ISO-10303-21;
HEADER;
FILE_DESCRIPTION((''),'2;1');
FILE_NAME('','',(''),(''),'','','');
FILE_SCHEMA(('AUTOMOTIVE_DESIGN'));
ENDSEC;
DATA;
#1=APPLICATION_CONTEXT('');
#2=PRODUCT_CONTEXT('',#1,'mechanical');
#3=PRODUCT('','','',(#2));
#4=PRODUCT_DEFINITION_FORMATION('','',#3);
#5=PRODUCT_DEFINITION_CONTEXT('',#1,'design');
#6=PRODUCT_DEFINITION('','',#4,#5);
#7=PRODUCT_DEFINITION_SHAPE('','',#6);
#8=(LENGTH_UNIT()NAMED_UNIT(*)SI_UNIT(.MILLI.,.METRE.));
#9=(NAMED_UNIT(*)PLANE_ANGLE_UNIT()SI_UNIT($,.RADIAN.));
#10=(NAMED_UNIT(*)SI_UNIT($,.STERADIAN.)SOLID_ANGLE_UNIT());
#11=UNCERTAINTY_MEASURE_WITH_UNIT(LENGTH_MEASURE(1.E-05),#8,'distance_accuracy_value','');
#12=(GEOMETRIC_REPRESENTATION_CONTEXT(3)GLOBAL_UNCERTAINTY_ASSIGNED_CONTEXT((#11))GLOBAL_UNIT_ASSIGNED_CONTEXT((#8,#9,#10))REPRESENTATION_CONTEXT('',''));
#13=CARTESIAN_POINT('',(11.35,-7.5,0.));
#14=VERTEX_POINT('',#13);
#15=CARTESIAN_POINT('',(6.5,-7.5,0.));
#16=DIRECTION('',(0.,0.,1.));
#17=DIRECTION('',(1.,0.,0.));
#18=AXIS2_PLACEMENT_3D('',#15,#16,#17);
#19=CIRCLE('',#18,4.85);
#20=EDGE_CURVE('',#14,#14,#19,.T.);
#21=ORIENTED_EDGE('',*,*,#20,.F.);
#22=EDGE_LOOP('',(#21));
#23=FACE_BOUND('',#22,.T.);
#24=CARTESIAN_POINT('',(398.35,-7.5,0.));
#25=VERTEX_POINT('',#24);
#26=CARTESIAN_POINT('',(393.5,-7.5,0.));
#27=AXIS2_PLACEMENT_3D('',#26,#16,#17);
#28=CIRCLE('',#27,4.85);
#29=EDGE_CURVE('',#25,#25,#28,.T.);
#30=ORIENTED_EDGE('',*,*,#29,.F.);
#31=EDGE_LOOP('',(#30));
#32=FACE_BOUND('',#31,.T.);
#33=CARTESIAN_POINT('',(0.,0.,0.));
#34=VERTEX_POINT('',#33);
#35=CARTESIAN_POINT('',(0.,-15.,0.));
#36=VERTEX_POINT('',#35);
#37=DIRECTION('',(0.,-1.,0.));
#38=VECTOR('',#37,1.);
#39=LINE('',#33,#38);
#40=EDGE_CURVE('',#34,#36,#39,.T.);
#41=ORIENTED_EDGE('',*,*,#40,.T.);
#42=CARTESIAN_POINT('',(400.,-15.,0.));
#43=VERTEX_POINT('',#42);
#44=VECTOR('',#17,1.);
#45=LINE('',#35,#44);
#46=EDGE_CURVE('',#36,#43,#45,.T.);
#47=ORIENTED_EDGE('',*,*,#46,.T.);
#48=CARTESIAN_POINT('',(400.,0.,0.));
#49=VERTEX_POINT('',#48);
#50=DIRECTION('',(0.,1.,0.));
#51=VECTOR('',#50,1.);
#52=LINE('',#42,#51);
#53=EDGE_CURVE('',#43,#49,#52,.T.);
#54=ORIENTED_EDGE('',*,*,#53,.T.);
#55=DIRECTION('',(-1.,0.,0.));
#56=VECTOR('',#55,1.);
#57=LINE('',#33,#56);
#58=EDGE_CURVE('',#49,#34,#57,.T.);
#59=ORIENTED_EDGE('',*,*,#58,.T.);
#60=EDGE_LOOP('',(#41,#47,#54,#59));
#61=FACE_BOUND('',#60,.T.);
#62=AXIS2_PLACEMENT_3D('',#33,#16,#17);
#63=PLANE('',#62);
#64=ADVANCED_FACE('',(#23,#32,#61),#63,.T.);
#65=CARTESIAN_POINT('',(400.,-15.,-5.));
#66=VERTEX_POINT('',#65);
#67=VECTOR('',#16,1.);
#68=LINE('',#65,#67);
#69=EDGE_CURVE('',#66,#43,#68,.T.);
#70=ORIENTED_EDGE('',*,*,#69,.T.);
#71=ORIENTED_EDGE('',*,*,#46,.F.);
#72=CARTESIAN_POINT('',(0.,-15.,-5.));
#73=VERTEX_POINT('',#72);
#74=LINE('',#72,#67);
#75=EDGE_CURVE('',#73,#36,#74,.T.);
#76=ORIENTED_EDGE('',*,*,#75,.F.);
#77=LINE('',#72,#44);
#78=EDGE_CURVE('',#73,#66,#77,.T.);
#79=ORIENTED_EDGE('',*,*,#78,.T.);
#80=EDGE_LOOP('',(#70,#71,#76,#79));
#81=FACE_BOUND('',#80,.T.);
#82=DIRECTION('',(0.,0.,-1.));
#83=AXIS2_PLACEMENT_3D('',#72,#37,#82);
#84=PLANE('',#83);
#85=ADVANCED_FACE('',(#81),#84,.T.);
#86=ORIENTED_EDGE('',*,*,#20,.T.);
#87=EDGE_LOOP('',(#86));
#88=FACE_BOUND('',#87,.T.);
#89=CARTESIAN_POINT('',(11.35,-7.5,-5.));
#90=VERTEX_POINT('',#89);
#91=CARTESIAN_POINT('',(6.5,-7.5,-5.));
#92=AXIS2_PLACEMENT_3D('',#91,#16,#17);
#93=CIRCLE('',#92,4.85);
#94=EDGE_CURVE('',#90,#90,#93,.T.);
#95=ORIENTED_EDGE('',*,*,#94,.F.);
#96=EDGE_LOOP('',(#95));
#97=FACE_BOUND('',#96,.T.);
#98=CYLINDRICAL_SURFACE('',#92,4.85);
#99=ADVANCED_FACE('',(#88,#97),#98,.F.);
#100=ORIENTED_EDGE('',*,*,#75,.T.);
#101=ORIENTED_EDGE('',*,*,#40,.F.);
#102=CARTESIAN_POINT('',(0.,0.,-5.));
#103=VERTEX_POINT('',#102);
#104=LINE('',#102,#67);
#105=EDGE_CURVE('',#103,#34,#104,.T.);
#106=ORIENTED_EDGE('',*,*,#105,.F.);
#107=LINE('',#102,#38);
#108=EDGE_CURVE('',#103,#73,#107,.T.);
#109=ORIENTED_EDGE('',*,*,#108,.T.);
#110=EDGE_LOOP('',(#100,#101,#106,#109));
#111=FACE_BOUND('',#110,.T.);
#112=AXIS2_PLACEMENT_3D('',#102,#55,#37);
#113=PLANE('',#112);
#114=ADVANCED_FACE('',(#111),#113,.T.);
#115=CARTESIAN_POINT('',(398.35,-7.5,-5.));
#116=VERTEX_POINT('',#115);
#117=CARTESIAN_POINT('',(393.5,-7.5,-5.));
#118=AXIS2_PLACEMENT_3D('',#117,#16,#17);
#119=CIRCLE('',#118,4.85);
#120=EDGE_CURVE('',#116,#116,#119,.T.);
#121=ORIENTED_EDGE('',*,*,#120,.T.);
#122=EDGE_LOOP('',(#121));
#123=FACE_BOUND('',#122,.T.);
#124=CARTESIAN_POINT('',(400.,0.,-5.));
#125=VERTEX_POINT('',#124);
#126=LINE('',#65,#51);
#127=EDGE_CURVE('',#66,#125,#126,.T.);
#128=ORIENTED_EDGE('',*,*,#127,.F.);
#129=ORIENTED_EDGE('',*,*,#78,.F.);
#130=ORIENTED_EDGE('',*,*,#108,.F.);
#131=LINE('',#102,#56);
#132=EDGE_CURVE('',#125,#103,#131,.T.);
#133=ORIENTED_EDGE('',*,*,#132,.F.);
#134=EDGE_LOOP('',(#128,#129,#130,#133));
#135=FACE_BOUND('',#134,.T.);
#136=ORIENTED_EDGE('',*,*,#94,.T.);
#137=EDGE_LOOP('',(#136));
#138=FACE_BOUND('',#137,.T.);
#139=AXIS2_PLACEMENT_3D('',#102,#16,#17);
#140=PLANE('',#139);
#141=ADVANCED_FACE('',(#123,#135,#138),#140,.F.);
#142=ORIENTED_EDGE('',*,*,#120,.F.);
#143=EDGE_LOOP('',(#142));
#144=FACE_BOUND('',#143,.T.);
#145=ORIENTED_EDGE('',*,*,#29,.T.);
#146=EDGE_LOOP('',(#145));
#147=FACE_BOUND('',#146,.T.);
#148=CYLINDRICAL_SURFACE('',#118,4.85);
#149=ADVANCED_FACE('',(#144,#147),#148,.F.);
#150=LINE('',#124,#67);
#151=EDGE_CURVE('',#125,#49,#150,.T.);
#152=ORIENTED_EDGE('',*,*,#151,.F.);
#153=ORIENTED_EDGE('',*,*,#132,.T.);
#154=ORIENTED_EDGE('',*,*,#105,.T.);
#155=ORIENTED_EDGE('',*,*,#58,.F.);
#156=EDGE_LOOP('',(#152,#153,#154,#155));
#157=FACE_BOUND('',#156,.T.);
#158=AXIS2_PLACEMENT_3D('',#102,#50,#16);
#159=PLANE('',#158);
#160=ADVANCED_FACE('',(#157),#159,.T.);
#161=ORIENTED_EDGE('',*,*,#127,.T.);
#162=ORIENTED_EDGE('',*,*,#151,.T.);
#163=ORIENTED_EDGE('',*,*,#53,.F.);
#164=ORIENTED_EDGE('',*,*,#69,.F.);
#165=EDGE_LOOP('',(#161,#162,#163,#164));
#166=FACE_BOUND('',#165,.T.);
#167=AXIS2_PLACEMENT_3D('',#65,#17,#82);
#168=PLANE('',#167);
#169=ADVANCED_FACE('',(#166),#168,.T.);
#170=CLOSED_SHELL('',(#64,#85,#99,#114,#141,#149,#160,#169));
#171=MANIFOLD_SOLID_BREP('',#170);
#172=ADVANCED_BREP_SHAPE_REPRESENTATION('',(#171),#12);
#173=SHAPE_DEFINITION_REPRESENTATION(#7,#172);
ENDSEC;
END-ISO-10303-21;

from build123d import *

# Parameters (mm, degrees)
SKETCH2_W           = 400
SKETCH2_H           = 15
BOSS_EXTRUDE1_DEPTH = 5
SKETCH3_R           = 4.85
CUT_EXTRUDE1_DEPTH  = 5


with BuildPart() as part:
    # Sketch2 → Boss-Extrude1 (new body)
    with BuildSketch(Plane.XY):
        with Locations((200, -7.5)):
            Rectangle(SKETCH2_W, SKETCH2_H)
    extrude(amount=-BOSS_EXTRUDE1_DEPTH)

    # Sketch3 → Cut-Extrude1 (cut)
    with BuildSketch(Plane.XY):
        with Locations((6.5, -7.5)):
            Circle(SKETCH3_R)
        with Locations((393.5, -7.5)):
            Circle(SKETCH3_R)
    extrude(amount=-CUT_EXTRUDE1_DEPTH, mode=Mode.SUBTRACT)


solid = part.part
